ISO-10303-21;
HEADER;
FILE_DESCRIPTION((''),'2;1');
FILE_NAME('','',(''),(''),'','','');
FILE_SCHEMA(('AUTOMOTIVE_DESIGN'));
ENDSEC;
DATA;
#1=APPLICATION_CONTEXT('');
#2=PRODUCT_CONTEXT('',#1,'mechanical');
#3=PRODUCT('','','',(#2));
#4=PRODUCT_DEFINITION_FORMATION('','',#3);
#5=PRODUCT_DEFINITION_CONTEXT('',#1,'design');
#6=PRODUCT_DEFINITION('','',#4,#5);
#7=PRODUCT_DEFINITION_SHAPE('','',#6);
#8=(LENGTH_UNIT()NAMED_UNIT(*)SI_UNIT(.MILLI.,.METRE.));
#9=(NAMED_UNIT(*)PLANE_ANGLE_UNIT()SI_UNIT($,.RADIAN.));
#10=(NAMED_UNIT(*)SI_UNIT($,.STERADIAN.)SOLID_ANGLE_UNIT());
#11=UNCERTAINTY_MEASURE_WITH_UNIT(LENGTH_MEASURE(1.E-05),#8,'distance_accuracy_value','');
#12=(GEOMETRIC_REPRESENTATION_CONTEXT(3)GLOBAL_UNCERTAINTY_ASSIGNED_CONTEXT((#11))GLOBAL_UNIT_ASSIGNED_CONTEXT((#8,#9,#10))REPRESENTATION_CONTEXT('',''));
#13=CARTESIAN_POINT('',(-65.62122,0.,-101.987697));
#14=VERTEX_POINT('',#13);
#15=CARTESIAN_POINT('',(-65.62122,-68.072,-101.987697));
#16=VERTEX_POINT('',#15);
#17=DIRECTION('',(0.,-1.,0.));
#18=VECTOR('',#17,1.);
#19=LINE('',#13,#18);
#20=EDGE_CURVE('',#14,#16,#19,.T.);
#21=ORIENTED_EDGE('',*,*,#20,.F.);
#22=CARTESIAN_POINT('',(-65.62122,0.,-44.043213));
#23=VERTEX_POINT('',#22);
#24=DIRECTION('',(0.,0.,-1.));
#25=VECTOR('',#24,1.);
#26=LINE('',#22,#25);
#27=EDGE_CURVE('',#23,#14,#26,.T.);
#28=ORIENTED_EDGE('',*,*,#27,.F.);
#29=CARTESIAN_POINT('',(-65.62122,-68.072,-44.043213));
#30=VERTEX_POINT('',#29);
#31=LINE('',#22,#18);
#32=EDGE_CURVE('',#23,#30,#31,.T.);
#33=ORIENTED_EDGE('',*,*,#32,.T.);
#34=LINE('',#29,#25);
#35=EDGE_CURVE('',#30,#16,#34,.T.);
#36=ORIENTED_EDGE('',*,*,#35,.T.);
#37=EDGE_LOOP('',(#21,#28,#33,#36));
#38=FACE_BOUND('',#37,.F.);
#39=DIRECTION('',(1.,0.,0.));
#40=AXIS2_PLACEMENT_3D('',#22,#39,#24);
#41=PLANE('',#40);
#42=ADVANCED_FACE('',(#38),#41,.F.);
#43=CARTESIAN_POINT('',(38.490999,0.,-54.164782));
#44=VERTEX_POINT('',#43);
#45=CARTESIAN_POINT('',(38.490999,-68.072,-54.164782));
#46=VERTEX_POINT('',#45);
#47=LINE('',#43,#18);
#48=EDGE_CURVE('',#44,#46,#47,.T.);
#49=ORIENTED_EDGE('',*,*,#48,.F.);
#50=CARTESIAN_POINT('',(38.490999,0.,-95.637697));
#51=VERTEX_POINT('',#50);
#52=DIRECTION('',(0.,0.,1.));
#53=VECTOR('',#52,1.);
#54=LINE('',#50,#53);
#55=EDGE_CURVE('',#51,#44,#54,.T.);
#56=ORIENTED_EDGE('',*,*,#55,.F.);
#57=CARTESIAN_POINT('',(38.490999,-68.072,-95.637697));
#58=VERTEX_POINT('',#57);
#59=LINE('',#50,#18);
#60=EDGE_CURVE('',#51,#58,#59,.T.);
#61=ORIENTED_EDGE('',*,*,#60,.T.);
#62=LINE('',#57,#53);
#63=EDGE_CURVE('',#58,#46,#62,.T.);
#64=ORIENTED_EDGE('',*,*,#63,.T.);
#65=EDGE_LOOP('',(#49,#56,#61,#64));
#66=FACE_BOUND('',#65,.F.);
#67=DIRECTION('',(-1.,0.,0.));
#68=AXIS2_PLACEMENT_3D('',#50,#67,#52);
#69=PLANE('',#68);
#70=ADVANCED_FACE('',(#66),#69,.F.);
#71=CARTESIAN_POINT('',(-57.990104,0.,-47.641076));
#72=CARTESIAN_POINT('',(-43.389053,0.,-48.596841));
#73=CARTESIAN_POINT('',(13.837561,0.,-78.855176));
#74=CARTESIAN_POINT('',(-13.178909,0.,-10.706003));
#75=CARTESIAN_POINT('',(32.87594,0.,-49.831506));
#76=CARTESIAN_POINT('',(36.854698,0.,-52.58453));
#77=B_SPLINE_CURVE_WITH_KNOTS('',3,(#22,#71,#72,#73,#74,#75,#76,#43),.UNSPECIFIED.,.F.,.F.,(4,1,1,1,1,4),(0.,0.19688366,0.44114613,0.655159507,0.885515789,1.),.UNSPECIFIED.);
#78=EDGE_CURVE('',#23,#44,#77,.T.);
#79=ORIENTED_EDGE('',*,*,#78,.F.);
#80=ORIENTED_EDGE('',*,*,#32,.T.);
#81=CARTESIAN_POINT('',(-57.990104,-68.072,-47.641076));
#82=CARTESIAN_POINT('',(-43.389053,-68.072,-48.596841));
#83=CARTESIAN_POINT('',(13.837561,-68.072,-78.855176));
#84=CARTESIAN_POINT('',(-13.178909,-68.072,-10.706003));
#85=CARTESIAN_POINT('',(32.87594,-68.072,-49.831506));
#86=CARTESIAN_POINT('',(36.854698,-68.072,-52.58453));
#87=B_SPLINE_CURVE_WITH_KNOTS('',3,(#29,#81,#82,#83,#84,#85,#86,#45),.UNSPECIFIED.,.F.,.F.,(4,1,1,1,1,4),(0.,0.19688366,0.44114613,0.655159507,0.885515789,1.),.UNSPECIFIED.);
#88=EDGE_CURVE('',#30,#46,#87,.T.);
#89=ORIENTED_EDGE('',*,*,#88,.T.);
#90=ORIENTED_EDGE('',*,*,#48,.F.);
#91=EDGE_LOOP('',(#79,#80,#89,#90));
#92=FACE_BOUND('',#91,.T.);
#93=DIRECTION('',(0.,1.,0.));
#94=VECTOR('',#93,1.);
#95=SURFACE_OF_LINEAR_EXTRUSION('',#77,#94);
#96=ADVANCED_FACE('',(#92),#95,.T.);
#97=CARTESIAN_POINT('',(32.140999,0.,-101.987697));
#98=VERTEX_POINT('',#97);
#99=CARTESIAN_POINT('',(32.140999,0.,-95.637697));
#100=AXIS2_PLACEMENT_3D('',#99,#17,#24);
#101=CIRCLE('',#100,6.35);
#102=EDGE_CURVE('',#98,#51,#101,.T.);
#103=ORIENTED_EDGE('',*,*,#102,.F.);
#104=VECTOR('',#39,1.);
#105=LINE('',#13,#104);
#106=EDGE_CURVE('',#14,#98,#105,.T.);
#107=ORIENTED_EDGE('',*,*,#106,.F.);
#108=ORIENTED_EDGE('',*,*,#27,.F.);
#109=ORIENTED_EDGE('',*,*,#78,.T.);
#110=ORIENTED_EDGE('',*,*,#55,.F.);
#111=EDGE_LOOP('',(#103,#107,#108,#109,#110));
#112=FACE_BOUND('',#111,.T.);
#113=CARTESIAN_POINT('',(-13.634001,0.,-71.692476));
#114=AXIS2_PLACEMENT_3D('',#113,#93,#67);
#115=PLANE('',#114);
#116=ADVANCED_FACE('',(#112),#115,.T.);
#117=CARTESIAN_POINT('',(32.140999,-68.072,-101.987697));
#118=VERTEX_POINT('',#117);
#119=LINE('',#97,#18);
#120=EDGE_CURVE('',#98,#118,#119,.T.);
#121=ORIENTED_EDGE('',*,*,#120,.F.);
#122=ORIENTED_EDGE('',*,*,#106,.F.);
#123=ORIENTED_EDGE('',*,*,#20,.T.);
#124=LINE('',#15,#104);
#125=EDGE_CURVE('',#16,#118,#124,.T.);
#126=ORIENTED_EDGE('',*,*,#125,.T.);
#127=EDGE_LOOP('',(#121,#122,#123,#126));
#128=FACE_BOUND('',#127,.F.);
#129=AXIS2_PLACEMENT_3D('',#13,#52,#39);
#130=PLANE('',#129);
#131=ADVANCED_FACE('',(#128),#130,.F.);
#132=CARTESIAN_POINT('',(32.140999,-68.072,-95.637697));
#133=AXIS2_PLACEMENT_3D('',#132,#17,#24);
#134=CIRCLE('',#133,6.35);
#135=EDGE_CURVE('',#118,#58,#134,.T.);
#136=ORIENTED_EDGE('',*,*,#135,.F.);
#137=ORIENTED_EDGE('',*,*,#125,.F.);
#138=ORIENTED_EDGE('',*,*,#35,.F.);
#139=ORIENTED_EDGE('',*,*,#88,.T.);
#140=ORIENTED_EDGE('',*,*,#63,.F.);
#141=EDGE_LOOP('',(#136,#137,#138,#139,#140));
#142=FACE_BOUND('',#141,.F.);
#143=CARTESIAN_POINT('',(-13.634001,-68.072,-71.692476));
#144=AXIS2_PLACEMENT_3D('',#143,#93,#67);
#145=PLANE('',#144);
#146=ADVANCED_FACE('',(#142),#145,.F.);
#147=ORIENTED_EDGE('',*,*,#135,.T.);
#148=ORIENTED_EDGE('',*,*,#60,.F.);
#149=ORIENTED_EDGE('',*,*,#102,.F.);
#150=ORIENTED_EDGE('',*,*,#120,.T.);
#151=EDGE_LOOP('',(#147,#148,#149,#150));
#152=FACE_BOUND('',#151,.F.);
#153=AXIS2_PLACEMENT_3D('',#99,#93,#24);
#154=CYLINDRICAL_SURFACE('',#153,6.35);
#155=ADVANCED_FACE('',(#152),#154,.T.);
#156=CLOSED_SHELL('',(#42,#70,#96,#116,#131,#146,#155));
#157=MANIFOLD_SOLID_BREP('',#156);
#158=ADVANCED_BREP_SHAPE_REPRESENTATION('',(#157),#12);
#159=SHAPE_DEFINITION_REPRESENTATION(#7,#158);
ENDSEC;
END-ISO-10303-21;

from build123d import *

# Parameters (mm, degrees)
F1_DEPTH = 68.072


with BuildPart() as f1:
    # F0 (on Front) → F1 (new body)
    with BuildSketch(Plane.XZ):
        with BuildLine():
            add(Edge.make_bspline(
                [(-65.6212195754, -44.043213129), (-57.990104171, -47.6410757652), (-43.3890529863, -48.5968405717), (13.837560673, -78.8551760709), (-13.178909407, -10.706002509), (32.8759400488, -49.8315061678), (36.8546978275, -52.5845302968), (38.49099949, -54.1647821665)],
                knots=[0, 0, 0, 0, 0.19688366, 0.4411461297, 0.6551595071, 0.8855157888, 1, 1, 1, 1], degree=3))
            Line((-65.6212195754, -44.043213129), (-65.6212195754, -101.9876971841))
            Line((-65.6212195754, -101.9876971841), (32.14099949, -101.9876971841))
            ThreePointArc((32.14099949, -101.9876971841), (36.6311275506, -100.1278252446), (38.49099949, -95.6376971841))
            Line((38.49099949, -95.6376971841), (38.49099949, -54.1647821665))
        make_face()
    extrude(amount=F1_DEPTH)


solid = f1.part
